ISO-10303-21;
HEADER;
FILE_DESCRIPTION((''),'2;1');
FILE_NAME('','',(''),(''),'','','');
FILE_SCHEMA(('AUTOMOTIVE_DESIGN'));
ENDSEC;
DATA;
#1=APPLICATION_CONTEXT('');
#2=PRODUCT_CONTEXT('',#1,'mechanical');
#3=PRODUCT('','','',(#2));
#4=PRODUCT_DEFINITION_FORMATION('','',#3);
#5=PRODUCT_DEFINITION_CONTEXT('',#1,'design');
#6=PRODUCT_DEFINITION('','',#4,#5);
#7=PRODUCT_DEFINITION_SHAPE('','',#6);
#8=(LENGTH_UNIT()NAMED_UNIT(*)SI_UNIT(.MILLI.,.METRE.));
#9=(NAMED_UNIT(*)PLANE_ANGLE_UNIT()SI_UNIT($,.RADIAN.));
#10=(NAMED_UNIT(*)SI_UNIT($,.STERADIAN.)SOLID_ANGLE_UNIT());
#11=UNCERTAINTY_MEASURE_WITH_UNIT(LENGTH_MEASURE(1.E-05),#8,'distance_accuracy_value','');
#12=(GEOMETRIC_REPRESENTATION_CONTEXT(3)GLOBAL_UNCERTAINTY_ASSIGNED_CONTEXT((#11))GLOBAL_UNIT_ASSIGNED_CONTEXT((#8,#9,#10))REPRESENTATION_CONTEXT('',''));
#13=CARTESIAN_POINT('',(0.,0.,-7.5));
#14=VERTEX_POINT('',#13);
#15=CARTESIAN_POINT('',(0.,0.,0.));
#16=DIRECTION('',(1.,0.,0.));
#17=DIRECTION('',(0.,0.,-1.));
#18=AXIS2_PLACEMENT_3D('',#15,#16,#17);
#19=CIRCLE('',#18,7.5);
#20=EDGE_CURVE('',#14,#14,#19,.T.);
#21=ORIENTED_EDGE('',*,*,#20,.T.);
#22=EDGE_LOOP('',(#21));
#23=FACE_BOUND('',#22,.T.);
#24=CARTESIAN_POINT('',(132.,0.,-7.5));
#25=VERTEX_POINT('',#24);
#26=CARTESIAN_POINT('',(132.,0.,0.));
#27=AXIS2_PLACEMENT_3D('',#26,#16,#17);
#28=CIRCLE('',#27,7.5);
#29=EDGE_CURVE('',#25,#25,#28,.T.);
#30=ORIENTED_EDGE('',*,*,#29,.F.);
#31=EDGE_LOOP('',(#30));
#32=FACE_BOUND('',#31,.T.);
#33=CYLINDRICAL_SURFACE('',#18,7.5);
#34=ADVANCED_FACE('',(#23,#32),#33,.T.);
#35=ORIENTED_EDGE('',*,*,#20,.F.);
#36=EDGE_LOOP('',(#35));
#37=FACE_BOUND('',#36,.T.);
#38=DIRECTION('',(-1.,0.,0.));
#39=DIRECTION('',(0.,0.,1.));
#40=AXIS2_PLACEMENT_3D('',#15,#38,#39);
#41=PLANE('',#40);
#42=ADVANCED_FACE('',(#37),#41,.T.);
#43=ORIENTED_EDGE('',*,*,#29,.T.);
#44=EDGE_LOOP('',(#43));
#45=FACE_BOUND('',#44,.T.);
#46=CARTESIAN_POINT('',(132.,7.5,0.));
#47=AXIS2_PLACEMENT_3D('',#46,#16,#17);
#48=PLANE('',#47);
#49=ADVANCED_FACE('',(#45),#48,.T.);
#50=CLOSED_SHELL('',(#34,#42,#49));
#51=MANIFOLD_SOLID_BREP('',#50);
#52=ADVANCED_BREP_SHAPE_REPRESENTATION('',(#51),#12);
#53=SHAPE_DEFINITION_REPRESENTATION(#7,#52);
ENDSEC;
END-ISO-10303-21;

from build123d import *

# Parameters (mm, degrees)
SKETCH1_W = 132
SKETCH1_H = 7.5


with BuildPart() as part:
    # Sketch1 → Revolve1 (revolve)
    with BuildSketch(Plane.XY):
        with Locations((66, 3.75)):
            Rectangle(SKETCH1_W, SKETCH1_H)
    revolve(axis=Axis((0, 0, 0), (-1, 0, 0)))


solid = part.part
